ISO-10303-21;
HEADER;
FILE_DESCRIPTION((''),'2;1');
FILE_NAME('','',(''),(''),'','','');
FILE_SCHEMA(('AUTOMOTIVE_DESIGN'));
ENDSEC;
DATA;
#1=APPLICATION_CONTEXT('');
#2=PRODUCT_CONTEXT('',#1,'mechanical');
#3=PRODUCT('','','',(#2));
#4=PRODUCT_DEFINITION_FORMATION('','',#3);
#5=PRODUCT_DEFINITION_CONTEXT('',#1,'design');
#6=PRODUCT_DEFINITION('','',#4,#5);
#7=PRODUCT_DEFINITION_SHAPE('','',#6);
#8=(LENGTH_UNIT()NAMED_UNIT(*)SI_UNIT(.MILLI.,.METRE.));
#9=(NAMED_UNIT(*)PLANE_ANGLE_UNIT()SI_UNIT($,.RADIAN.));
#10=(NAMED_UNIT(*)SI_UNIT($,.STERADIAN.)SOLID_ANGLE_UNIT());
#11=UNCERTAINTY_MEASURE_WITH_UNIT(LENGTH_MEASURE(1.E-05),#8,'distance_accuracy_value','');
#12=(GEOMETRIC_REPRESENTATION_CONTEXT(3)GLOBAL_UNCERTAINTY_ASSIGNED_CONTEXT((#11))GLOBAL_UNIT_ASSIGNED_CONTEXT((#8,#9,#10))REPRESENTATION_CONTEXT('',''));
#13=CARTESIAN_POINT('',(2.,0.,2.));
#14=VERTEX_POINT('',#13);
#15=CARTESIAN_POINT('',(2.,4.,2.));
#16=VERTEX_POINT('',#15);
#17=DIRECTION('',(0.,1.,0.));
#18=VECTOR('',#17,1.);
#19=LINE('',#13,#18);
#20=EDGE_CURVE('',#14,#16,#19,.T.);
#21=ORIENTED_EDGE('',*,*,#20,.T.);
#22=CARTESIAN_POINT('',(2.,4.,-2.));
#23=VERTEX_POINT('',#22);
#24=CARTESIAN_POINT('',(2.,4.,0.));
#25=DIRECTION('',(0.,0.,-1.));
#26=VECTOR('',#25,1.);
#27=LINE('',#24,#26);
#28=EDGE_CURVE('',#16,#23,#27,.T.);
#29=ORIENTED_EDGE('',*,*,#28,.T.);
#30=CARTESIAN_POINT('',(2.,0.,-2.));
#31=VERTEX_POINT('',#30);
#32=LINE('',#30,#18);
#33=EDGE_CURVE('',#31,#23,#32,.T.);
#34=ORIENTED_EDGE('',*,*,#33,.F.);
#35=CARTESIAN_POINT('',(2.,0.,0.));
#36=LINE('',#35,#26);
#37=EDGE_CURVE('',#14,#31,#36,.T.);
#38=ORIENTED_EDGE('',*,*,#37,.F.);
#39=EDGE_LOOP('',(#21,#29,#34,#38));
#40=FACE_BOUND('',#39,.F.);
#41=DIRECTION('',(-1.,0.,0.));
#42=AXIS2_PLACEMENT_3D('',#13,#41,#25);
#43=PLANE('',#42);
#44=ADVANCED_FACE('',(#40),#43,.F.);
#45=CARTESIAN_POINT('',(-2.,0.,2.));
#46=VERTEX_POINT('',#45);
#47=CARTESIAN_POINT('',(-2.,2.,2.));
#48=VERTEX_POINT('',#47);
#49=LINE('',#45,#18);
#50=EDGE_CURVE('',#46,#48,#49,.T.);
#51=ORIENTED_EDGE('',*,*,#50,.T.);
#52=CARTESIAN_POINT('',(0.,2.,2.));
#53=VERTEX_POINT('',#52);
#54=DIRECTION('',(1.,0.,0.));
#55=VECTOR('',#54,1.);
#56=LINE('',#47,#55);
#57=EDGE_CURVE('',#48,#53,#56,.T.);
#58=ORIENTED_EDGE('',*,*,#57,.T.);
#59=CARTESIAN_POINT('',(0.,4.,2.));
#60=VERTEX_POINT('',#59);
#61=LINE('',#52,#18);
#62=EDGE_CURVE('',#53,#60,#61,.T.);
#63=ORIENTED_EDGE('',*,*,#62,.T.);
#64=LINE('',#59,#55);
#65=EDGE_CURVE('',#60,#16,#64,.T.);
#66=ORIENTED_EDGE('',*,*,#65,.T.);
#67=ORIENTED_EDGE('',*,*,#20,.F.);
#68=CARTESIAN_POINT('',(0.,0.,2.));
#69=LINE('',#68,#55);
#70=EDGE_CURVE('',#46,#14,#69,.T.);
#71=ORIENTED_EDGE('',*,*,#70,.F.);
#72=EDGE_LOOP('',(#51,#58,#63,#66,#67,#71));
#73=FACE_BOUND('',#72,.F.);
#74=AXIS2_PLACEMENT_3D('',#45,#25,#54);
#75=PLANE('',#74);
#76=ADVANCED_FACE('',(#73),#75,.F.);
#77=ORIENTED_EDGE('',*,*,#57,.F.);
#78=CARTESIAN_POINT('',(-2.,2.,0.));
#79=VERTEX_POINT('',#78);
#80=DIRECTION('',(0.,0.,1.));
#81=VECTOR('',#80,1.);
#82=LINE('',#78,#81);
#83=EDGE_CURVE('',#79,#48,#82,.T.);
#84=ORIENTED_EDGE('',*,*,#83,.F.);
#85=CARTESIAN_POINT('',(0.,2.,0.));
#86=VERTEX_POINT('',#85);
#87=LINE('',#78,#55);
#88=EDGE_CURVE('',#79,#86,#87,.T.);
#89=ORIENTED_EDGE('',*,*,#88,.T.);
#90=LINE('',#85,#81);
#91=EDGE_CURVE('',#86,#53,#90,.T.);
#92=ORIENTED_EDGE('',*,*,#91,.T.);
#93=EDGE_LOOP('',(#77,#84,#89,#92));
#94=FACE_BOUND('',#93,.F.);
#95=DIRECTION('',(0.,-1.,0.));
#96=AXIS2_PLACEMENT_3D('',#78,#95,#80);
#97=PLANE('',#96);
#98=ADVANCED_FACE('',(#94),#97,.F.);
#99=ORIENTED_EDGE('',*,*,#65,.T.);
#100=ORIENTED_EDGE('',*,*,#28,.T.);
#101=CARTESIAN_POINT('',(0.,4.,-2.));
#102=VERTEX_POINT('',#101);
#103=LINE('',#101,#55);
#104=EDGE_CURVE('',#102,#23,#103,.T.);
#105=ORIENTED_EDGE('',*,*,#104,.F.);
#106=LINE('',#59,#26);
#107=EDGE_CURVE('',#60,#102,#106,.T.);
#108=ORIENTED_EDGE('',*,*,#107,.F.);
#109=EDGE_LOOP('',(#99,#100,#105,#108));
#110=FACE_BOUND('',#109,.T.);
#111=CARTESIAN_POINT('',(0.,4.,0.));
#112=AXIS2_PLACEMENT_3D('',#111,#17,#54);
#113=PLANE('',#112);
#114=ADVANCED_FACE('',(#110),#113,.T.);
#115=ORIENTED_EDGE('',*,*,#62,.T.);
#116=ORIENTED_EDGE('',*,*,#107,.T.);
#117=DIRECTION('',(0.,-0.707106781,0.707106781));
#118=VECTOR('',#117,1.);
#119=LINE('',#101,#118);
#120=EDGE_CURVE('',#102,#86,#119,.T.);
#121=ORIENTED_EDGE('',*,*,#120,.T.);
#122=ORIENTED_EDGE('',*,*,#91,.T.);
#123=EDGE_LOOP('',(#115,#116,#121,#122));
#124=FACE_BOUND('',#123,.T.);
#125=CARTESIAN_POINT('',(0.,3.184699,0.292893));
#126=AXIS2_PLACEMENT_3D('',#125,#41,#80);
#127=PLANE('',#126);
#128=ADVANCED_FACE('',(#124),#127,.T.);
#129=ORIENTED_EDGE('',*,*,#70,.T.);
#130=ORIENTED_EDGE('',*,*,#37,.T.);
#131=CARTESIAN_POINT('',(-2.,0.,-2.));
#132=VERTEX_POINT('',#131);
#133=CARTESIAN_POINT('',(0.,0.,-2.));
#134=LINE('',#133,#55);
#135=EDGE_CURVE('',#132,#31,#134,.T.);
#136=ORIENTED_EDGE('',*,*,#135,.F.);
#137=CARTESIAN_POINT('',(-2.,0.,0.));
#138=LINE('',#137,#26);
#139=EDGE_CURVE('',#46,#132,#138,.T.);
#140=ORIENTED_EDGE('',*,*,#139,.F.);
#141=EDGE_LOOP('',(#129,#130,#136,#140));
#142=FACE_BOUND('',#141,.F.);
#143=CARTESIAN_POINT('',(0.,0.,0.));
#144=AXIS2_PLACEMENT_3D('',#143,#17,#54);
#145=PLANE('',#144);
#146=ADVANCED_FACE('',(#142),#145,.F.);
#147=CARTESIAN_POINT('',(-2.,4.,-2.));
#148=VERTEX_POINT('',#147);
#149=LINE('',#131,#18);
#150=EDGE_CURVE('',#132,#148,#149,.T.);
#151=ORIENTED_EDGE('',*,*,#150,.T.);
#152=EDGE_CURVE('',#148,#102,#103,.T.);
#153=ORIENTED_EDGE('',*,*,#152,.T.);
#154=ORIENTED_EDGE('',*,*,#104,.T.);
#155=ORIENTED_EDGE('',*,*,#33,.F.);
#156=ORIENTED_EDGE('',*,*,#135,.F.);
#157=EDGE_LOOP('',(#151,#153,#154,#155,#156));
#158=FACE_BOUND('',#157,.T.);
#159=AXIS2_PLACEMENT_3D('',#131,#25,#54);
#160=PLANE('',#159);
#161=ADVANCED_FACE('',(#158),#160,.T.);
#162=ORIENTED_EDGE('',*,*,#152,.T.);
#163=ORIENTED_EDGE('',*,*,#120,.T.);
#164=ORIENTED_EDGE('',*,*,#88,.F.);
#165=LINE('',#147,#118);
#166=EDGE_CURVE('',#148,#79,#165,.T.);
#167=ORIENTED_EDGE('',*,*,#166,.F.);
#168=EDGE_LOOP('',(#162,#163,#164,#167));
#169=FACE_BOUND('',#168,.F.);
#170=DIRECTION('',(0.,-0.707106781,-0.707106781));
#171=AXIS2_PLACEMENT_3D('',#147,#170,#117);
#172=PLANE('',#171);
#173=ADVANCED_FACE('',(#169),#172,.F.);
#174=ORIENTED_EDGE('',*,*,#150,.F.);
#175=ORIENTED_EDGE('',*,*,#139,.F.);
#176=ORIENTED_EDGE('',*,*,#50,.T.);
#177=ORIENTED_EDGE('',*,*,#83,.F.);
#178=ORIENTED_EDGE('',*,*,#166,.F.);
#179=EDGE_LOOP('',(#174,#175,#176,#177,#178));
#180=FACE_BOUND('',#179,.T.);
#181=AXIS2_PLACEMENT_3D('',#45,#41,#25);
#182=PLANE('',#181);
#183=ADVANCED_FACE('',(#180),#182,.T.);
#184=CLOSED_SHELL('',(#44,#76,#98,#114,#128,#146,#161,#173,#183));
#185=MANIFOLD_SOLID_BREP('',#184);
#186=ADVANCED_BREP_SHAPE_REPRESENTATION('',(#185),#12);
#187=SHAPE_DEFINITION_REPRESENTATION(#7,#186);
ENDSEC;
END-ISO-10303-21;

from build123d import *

# Parameters (mm, degrees)
SKETCH1_W           = 4
SKETCH1_H           = 4
BOSS_EXTRUDE1_DEPTH = 4
CUT_EXTRUDE1_DEPTH  = 2


with BuildPart() as part:
    # Sketch1 → Boss-Extrude1 (new body)
    with BuildSketch(Plane(origin=(0, 0, 0), x_dir=(1, 0, 0), z_dir=(0, 1, 0))):
        Rectangle(SKETCH1_W, SKETCH1_H)
    extrude(amount=BOSS_EXTRUDE1_DEPTH)

    # Sketch2 → Cut-Extrude1 (cut)
    with BuildSketch(Plane.ZY.offset(2)):
        Polygon((-2, 4), (0, 2), (2, 2), (2, 4), align=None)
    extrude(amount=-CUT_EXTRUDE1_DEPTH, mode=Mode.SUBTRACT)


solid = part.part
